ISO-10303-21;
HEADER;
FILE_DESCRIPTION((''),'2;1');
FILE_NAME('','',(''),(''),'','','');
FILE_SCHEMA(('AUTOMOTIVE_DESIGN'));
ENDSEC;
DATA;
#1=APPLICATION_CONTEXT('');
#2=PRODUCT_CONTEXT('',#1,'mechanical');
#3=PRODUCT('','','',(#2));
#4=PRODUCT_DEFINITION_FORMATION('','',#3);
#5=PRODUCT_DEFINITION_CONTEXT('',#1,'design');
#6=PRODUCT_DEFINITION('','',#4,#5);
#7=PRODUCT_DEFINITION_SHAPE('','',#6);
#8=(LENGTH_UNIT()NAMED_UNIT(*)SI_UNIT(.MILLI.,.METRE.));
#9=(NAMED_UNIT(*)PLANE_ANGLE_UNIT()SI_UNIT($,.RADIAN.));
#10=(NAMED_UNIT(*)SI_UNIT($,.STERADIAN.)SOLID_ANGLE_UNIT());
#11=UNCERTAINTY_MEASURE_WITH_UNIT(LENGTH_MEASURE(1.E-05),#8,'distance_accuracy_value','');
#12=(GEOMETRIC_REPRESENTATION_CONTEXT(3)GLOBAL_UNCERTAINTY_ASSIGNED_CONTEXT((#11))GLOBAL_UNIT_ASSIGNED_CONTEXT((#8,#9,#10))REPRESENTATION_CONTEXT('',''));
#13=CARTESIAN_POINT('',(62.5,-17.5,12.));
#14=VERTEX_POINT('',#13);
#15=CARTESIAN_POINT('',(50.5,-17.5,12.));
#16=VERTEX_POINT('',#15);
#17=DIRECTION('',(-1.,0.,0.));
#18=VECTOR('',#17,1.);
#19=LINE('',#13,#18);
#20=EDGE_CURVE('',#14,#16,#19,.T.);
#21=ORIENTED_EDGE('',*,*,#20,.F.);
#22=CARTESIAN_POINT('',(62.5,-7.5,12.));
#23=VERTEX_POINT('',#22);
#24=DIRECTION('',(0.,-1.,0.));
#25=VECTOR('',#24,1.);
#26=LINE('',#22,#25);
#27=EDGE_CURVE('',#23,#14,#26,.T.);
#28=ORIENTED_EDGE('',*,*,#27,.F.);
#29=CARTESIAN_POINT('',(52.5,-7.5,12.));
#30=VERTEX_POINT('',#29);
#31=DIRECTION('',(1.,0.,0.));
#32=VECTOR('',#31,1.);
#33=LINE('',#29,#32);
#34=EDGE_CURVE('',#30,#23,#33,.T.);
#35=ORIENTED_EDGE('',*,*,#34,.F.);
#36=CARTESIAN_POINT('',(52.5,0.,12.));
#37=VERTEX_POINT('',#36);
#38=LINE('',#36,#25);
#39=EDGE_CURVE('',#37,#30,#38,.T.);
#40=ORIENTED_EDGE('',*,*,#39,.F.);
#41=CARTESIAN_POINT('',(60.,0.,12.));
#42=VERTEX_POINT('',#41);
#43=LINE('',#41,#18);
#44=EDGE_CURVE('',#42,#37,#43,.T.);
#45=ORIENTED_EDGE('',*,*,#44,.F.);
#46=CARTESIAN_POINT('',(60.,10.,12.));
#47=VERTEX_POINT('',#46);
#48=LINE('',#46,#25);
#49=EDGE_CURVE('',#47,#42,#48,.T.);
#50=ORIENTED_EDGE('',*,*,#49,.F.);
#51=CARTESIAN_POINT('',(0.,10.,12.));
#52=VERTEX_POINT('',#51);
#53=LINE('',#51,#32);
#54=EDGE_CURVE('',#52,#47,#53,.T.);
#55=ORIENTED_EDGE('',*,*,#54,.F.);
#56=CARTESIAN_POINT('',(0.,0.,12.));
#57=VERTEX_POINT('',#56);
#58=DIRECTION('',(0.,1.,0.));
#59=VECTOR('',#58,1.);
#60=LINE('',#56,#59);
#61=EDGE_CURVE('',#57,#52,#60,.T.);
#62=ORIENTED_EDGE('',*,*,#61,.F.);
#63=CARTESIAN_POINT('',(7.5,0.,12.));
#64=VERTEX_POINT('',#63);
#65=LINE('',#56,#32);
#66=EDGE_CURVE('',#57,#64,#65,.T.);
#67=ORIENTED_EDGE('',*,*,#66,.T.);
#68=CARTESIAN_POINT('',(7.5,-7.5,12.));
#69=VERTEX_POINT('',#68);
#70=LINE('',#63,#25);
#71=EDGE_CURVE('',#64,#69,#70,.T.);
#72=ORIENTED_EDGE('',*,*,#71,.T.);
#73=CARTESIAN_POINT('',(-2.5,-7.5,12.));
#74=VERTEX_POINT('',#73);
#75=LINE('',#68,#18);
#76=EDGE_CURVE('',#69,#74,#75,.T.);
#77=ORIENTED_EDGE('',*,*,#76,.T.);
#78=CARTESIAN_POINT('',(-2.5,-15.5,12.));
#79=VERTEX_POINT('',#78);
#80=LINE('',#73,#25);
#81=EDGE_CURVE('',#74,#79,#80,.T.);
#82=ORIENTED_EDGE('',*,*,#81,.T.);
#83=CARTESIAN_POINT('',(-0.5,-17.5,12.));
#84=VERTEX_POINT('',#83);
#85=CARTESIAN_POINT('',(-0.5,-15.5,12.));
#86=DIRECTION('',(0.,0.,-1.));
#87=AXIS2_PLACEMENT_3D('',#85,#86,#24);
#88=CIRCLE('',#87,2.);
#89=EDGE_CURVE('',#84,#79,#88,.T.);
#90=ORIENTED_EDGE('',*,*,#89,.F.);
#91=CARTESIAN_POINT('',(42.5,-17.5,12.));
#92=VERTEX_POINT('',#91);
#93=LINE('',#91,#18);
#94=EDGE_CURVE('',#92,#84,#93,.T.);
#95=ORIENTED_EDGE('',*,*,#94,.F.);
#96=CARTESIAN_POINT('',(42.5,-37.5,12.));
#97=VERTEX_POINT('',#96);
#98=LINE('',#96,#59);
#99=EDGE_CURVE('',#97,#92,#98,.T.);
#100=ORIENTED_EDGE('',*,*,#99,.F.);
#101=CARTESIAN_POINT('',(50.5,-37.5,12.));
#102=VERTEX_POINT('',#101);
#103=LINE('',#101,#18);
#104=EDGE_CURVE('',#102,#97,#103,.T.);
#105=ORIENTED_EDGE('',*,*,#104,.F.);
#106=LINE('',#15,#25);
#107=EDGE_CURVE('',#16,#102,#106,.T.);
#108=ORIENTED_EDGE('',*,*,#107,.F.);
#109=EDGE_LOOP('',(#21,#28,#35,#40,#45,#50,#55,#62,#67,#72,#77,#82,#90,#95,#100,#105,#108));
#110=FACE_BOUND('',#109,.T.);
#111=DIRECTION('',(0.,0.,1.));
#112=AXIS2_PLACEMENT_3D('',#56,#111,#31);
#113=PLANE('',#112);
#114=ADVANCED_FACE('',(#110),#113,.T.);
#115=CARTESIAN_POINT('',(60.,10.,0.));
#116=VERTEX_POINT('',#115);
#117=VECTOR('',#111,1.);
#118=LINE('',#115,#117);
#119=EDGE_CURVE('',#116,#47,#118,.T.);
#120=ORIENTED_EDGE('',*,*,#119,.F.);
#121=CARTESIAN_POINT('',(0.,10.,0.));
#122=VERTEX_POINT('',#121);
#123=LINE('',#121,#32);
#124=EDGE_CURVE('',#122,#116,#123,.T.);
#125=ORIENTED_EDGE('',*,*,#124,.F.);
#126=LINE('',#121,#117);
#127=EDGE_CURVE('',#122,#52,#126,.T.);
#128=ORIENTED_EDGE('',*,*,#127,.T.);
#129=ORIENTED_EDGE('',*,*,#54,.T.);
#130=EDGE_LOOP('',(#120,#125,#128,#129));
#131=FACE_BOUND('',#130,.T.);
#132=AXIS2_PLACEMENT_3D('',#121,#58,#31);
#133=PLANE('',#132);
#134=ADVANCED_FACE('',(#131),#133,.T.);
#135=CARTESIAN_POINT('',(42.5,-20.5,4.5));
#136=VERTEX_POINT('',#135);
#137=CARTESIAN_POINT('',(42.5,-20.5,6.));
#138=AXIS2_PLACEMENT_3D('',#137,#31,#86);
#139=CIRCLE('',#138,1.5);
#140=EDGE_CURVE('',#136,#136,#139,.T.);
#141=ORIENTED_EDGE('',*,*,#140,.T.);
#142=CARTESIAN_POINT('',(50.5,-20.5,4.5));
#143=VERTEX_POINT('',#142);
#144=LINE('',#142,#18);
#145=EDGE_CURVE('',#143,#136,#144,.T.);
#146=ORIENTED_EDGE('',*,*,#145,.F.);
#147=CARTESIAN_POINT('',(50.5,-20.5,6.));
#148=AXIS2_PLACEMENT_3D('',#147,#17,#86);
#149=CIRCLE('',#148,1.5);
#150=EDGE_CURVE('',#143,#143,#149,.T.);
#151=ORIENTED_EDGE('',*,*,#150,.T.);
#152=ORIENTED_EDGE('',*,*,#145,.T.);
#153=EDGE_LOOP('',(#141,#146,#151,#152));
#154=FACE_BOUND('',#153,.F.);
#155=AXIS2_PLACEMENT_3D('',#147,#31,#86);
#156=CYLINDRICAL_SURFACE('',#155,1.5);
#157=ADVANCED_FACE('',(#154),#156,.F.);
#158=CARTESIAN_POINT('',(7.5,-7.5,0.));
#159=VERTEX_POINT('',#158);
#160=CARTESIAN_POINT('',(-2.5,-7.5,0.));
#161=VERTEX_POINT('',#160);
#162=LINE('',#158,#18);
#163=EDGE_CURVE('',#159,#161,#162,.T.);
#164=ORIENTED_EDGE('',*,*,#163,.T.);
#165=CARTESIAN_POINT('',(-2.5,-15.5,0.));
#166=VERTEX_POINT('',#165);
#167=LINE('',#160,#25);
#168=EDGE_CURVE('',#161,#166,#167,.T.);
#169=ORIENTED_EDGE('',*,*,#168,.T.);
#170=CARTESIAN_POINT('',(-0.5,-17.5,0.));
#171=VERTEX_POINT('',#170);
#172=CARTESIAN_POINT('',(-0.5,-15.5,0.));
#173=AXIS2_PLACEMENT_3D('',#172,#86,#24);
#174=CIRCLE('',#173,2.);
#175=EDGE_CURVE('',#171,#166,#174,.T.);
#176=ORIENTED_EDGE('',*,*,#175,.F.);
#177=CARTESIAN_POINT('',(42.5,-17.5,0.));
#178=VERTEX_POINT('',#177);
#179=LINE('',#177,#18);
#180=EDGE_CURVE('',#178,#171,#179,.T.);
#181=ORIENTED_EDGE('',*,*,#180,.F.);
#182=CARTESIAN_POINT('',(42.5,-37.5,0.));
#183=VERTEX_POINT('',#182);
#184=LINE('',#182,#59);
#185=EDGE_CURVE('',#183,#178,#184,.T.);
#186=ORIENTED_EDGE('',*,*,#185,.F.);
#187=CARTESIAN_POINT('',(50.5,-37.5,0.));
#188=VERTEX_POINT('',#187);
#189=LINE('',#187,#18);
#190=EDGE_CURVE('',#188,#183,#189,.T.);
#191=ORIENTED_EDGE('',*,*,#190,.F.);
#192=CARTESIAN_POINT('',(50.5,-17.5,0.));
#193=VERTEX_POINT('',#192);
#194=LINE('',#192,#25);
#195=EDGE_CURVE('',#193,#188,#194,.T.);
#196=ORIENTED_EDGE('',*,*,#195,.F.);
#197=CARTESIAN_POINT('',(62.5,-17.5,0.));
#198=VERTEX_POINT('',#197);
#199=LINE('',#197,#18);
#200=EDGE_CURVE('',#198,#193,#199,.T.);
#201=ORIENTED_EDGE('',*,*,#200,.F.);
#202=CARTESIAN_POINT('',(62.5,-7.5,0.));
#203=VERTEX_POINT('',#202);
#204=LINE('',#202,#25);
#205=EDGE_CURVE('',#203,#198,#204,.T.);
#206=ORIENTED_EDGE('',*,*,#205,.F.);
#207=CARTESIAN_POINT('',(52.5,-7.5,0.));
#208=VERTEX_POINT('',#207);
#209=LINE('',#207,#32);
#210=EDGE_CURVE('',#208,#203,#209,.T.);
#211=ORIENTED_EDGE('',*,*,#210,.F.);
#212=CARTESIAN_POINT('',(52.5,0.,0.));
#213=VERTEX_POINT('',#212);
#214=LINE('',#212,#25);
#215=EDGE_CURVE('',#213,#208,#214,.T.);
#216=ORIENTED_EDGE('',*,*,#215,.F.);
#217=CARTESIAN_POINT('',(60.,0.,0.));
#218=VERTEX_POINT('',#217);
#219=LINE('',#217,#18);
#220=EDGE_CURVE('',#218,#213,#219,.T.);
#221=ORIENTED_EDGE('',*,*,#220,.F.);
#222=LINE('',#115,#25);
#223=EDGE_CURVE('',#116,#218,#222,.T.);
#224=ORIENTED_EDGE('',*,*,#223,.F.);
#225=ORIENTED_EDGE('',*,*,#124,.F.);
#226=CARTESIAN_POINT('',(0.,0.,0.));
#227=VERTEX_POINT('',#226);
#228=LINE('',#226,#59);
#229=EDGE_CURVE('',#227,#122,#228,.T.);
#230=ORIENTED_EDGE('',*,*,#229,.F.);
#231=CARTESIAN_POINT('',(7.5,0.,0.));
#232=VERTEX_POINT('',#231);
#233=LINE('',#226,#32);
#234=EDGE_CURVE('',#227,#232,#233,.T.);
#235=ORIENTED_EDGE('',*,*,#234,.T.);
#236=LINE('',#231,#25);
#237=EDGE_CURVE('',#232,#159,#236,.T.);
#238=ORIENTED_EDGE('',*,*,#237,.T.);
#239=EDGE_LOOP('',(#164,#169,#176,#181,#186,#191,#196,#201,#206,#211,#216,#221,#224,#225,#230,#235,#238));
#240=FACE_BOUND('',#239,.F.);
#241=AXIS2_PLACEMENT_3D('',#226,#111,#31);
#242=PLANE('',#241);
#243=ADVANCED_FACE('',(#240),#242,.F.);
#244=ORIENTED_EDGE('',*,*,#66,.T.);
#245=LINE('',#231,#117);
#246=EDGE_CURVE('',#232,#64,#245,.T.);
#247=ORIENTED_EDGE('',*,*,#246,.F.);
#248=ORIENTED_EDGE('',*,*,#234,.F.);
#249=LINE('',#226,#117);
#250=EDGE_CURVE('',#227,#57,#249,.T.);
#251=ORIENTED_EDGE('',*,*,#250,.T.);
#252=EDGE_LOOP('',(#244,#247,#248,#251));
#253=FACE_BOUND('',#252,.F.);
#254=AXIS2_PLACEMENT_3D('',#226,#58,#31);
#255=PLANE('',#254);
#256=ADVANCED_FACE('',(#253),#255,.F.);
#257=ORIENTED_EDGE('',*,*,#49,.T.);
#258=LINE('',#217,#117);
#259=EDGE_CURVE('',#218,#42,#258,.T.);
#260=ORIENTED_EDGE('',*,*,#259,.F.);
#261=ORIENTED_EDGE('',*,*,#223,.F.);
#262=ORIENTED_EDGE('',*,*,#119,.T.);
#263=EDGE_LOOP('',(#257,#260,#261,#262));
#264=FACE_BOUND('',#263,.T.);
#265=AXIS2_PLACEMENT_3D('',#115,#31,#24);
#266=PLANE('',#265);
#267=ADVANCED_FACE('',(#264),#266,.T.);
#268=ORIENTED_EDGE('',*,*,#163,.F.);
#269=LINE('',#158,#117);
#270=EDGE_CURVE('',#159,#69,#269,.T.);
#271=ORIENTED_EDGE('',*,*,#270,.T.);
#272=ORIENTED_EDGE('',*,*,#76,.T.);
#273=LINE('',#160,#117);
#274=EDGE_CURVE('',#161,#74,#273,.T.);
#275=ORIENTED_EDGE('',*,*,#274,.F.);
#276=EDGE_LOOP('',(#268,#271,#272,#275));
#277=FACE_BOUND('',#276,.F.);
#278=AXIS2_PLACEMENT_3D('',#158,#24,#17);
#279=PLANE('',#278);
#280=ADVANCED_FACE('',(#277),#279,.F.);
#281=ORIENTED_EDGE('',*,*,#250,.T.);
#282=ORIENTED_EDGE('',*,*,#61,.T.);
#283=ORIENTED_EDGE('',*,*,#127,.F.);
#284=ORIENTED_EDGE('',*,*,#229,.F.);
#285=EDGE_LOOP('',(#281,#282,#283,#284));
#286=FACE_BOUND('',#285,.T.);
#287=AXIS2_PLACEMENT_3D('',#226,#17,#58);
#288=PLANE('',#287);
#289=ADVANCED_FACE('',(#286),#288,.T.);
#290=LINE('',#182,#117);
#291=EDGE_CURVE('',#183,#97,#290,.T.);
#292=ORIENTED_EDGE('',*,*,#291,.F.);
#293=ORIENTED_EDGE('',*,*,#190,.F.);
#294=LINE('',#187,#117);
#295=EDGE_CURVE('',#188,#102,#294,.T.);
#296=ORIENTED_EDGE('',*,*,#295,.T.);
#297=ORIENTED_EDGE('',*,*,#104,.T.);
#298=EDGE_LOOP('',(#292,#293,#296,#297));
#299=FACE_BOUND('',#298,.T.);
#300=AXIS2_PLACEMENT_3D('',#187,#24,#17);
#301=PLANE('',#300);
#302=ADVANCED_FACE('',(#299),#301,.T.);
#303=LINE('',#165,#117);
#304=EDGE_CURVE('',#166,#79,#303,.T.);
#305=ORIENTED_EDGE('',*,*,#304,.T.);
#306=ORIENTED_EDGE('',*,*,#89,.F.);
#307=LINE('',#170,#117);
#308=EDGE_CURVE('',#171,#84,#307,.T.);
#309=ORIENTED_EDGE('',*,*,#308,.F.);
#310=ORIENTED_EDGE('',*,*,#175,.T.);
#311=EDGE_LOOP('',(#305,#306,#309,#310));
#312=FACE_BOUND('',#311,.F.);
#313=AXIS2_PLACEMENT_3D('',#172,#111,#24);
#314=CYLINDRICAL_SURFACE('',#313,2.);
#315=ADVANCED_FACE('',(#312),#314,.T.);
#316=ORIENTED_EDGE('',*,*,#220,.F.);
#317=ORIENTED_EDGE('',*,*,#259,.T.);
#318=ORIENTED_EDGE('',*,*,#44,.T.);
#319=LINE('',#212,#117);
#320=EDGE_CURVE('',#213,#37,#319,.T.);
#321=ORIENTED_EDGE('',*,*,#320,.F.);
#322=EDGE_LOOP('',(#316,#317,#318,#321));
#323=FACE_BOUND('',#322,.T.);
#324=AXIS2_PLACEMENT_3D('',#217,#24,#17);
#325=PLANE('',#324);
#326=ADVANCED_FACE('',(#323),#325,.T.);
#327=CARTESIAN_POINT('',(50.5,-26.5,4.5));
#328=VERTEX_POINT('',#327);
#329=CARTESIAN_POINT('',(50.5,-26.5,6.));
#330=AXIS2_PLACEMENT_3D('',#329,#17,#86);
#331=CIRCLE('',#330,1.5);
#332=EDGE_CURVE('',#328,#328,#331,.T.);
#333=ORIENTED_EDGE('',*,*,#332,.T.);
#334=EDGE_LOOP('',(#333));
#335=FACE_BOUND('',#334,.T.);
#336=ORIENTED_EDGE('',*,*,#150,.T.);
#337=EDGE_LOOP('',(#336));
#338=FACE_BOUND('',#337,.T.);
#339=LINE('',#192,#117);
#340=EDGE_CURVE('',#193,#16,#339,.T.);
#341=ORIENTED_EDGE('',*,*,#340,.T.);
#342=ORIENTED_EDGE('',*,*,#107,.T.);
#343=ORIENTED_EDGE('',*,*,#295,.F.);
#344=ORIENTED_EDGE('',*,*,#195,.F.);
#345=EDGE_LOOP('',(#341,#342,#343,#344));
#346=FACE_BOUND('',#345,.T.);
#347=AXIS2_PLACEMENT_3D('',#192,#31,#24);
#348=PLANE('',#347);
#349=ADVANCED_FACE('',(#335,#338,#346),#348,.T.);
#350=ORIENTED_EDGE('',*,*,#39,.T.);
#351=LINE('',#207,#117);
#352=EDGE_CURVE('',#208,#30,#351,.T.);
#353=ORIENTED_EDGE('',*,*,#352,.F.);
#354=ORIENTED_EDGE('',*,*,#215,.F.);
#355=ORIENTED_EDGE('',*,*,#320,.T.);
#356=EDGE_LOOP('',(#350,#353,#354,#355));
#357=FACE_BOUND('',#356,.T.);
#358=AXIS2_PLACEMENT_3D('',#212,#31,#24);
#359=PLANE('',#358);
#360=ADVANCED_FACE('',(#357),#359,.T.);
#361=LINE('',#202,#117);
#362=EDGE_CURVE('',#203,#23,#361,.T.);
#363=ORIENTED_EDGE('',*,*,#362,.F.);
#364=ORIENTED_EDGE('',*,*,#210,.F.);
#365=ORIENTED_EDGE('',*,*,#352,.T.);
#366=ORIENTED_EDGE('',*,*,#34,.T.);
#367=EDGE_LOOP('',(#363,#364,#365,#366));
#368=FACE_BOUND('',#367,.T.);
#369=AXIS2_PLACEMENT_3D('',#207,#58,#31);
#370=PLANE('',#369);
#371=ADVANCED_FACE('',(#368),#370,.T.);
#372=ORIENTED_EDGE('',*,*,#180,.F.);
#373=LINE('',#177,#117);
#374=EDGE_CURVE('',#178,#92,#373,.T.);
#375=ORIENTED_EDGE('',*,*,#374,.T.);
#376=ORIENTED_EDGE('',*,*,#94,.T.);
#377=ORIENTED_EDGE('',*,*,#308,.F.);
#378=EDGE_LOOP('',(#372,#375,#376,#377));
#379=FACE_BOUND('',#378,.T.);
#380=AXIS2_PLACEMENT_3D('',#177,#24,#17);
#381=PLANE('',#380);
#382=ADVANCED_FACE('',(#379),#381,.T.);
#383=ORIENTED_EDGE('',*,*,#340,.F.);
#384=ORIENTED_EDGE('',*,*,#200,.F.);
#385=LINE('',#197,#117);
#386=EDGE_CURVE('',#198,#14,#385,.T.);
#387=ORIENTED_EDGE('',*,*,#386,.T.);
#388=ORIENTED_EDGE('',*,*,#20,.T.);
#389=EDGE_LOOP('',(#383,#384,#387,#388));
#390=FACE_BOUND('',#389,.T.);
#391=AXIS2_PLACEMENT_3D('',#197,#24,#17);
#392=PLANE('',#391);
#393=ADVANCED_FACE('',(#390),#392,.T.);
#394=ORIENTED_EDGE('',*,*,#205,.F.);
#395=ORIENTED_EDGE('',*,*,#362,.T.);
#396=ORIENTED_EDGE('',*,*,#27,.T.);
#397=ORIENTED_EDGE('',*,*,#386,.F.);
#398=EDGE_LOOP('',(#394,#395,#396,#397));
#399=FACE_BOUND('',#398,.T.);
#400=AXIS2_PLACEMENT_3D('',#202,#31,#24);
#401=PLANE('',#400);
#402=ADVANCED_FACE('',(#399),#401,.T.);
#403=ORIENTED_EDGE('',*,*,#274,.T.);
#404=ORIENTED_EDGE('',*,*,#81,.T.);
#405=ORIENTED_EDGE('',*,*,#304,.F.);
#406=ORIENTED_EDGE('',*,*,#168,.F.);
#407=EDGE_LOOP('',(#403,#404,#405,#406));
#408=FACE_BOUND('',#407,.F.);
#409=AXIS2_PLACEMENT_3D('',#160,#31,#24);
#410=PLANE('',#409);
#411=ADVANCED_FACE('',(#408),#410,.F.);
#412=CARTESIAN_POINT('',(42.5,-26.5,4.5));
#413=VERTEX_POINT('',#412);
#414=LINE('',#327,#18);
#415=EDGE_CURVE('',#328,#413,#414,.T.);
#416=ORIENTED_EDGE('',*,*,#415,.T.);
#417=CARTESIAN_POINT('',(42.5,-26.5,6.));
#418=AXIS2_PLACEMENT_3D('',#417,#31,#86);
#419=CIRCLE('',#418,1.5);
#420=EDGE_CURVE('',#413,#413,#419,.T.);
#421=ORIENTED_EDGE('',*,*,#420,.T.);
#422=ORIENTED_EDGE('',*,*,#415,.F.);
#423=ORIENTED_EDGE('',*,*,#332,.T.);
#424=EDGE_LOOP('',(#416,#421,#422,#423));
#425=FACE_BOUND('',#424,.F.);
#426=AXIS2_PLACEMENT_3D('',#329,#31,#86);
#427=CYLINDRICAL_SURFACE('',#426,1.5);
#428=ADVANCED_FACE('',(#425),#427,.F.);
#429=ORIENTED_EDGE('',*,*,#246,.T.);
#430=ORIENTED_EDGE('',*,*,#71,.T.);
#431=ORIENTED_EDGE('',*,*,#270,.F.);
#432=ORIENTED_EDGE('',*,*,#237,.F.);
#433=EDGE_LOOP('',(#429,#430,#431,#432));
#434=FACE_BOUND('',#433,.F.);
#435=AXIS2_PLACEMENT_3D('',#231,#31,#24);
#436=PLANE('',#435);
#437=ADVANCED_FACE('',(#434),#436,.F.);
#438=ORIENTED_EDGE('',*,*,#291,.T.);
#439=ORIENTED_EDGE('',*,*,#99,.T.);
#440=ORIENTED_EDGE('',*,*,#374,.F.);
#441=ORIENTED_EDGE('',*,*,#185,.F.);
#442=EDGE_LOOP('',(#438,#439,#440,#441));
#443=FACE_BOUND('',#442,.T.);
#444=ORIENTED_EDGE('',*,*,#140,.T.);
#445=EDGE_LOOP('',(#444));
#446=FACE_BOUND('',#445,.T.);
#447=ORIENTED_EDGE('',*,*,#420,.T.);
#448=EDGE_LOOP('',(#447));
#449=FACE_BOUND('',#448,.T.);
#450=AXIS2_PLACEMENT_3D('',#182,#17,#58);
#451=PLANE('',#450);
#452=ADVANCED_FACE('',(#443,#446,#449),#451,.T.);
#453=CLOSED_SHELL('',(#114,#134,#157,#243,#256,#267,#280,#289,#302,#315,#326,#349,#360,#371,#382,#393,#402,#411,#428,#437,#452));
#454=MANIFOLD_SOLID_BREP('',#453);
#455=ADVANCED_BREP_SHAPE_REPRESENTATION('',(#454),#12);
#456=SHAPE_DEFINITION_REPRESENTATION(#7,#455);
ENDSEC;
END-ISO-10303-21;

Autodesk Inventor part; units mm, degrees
ref_plane "YZ Plane" through (0, 0, 0) normal (1, 0, 0) x (0, 1, 0)
ref_plane "XZ Plane" through (0, 0, 0) normal (0, 1, 0) x (-1, 0, 0)
ref_plane "XY Plane" through (0, 0, 0) normal (0, 0, 1) x (1, 0, 0)
sketch "Sketch1" plane through (0, 0, 0) normal (0, 0, 1) x (1, 0, 0)
  line L0 (0, 0) -> (0, 10)
  line L1 (0, 10) -> (60, 10)
  line L2 (60, 10) -> (60, 0)
  line L3 (0, 0) -> (7.5, 0)
  line L4 (7.5, 0) -> (7.5, -7.5)
  line L5 (7.5, -7.5) -> (-2.5, -7.5)
  line L6 (-2.5, -7.5) -> (-2.5, -17.5)
  line L7 (30, 10) -> (30, -7.5) construction
  line L8 (60, 0) -> (52.5, 0)
  line L9 (52.5, 0) -> (52.5, -7.5)
  line L10 (52.5, -7.5) -> (62.5, -7.5)
  line L11 (62.5, -7.5) -> (62.5, -17.5)
  line L12 (62.5, -17.5) -> (50.5, -17.5)
  line L13 (50.5, -17.5) -> (50.5, -37.5)
  line L14 (50.5, -37.5) -> (42.5, -37.5)
  line L15 (42.5, -37.5) -> (42.5, -17.5)
  line L16 (42.5, -17.5) -> (-2.5, -17.5)
  dimension "d0" = 10
  dimension "d2" = 60
  dimension "d3" = 7.5
  dimension "d4" = 7.5
  dimension "d5" = 10
  dimension "d6" = 10
  dimension "d21" = 12
  dimension "d22" = 20
  dimension "d23" = 8
extrude "Extrusion1" add sketch "Sketch1" along normal blind 12
sketch "Sketch2" plane through (50.5, -37.5, 0) normal (1, 0, 0) x (0, 0, -1)
  line L0 (0, 20) -> (0, 30) projected
  line L1 (0, 0) -> (0, 20) projected
  line L2 (-12, 0) -> (-12, 8) projected
  line L3 (0, 0) -> (-12, 0) projected
  line L4 (0, 0) -> (-6, 0)
  line L5 (-6, 0) -> (-6, 20)
  line L6 (-6, 20) -> (-6, 17)
  line L7 (-6, 17) -> (-6, 11)
  circle A0 centre (-6, 17) radius 1.5
  circle A1 centre (-6, 11) radius 1.5
  point P0 (0, 37.5)
  dimension "d24" = 6
  dimension "d27" = 3
  dimension "d28" = 6
  dimension "d29" = 3
  dimension "d30" = 3
extrude "Extrusion2" cut sketch "Sketch2" against normal through all
fillet "Fillet1" radius 2 1 edges at (-2.5, -17.5, 6)
properties part number "Basegripper" material "Copper, Wrought"
